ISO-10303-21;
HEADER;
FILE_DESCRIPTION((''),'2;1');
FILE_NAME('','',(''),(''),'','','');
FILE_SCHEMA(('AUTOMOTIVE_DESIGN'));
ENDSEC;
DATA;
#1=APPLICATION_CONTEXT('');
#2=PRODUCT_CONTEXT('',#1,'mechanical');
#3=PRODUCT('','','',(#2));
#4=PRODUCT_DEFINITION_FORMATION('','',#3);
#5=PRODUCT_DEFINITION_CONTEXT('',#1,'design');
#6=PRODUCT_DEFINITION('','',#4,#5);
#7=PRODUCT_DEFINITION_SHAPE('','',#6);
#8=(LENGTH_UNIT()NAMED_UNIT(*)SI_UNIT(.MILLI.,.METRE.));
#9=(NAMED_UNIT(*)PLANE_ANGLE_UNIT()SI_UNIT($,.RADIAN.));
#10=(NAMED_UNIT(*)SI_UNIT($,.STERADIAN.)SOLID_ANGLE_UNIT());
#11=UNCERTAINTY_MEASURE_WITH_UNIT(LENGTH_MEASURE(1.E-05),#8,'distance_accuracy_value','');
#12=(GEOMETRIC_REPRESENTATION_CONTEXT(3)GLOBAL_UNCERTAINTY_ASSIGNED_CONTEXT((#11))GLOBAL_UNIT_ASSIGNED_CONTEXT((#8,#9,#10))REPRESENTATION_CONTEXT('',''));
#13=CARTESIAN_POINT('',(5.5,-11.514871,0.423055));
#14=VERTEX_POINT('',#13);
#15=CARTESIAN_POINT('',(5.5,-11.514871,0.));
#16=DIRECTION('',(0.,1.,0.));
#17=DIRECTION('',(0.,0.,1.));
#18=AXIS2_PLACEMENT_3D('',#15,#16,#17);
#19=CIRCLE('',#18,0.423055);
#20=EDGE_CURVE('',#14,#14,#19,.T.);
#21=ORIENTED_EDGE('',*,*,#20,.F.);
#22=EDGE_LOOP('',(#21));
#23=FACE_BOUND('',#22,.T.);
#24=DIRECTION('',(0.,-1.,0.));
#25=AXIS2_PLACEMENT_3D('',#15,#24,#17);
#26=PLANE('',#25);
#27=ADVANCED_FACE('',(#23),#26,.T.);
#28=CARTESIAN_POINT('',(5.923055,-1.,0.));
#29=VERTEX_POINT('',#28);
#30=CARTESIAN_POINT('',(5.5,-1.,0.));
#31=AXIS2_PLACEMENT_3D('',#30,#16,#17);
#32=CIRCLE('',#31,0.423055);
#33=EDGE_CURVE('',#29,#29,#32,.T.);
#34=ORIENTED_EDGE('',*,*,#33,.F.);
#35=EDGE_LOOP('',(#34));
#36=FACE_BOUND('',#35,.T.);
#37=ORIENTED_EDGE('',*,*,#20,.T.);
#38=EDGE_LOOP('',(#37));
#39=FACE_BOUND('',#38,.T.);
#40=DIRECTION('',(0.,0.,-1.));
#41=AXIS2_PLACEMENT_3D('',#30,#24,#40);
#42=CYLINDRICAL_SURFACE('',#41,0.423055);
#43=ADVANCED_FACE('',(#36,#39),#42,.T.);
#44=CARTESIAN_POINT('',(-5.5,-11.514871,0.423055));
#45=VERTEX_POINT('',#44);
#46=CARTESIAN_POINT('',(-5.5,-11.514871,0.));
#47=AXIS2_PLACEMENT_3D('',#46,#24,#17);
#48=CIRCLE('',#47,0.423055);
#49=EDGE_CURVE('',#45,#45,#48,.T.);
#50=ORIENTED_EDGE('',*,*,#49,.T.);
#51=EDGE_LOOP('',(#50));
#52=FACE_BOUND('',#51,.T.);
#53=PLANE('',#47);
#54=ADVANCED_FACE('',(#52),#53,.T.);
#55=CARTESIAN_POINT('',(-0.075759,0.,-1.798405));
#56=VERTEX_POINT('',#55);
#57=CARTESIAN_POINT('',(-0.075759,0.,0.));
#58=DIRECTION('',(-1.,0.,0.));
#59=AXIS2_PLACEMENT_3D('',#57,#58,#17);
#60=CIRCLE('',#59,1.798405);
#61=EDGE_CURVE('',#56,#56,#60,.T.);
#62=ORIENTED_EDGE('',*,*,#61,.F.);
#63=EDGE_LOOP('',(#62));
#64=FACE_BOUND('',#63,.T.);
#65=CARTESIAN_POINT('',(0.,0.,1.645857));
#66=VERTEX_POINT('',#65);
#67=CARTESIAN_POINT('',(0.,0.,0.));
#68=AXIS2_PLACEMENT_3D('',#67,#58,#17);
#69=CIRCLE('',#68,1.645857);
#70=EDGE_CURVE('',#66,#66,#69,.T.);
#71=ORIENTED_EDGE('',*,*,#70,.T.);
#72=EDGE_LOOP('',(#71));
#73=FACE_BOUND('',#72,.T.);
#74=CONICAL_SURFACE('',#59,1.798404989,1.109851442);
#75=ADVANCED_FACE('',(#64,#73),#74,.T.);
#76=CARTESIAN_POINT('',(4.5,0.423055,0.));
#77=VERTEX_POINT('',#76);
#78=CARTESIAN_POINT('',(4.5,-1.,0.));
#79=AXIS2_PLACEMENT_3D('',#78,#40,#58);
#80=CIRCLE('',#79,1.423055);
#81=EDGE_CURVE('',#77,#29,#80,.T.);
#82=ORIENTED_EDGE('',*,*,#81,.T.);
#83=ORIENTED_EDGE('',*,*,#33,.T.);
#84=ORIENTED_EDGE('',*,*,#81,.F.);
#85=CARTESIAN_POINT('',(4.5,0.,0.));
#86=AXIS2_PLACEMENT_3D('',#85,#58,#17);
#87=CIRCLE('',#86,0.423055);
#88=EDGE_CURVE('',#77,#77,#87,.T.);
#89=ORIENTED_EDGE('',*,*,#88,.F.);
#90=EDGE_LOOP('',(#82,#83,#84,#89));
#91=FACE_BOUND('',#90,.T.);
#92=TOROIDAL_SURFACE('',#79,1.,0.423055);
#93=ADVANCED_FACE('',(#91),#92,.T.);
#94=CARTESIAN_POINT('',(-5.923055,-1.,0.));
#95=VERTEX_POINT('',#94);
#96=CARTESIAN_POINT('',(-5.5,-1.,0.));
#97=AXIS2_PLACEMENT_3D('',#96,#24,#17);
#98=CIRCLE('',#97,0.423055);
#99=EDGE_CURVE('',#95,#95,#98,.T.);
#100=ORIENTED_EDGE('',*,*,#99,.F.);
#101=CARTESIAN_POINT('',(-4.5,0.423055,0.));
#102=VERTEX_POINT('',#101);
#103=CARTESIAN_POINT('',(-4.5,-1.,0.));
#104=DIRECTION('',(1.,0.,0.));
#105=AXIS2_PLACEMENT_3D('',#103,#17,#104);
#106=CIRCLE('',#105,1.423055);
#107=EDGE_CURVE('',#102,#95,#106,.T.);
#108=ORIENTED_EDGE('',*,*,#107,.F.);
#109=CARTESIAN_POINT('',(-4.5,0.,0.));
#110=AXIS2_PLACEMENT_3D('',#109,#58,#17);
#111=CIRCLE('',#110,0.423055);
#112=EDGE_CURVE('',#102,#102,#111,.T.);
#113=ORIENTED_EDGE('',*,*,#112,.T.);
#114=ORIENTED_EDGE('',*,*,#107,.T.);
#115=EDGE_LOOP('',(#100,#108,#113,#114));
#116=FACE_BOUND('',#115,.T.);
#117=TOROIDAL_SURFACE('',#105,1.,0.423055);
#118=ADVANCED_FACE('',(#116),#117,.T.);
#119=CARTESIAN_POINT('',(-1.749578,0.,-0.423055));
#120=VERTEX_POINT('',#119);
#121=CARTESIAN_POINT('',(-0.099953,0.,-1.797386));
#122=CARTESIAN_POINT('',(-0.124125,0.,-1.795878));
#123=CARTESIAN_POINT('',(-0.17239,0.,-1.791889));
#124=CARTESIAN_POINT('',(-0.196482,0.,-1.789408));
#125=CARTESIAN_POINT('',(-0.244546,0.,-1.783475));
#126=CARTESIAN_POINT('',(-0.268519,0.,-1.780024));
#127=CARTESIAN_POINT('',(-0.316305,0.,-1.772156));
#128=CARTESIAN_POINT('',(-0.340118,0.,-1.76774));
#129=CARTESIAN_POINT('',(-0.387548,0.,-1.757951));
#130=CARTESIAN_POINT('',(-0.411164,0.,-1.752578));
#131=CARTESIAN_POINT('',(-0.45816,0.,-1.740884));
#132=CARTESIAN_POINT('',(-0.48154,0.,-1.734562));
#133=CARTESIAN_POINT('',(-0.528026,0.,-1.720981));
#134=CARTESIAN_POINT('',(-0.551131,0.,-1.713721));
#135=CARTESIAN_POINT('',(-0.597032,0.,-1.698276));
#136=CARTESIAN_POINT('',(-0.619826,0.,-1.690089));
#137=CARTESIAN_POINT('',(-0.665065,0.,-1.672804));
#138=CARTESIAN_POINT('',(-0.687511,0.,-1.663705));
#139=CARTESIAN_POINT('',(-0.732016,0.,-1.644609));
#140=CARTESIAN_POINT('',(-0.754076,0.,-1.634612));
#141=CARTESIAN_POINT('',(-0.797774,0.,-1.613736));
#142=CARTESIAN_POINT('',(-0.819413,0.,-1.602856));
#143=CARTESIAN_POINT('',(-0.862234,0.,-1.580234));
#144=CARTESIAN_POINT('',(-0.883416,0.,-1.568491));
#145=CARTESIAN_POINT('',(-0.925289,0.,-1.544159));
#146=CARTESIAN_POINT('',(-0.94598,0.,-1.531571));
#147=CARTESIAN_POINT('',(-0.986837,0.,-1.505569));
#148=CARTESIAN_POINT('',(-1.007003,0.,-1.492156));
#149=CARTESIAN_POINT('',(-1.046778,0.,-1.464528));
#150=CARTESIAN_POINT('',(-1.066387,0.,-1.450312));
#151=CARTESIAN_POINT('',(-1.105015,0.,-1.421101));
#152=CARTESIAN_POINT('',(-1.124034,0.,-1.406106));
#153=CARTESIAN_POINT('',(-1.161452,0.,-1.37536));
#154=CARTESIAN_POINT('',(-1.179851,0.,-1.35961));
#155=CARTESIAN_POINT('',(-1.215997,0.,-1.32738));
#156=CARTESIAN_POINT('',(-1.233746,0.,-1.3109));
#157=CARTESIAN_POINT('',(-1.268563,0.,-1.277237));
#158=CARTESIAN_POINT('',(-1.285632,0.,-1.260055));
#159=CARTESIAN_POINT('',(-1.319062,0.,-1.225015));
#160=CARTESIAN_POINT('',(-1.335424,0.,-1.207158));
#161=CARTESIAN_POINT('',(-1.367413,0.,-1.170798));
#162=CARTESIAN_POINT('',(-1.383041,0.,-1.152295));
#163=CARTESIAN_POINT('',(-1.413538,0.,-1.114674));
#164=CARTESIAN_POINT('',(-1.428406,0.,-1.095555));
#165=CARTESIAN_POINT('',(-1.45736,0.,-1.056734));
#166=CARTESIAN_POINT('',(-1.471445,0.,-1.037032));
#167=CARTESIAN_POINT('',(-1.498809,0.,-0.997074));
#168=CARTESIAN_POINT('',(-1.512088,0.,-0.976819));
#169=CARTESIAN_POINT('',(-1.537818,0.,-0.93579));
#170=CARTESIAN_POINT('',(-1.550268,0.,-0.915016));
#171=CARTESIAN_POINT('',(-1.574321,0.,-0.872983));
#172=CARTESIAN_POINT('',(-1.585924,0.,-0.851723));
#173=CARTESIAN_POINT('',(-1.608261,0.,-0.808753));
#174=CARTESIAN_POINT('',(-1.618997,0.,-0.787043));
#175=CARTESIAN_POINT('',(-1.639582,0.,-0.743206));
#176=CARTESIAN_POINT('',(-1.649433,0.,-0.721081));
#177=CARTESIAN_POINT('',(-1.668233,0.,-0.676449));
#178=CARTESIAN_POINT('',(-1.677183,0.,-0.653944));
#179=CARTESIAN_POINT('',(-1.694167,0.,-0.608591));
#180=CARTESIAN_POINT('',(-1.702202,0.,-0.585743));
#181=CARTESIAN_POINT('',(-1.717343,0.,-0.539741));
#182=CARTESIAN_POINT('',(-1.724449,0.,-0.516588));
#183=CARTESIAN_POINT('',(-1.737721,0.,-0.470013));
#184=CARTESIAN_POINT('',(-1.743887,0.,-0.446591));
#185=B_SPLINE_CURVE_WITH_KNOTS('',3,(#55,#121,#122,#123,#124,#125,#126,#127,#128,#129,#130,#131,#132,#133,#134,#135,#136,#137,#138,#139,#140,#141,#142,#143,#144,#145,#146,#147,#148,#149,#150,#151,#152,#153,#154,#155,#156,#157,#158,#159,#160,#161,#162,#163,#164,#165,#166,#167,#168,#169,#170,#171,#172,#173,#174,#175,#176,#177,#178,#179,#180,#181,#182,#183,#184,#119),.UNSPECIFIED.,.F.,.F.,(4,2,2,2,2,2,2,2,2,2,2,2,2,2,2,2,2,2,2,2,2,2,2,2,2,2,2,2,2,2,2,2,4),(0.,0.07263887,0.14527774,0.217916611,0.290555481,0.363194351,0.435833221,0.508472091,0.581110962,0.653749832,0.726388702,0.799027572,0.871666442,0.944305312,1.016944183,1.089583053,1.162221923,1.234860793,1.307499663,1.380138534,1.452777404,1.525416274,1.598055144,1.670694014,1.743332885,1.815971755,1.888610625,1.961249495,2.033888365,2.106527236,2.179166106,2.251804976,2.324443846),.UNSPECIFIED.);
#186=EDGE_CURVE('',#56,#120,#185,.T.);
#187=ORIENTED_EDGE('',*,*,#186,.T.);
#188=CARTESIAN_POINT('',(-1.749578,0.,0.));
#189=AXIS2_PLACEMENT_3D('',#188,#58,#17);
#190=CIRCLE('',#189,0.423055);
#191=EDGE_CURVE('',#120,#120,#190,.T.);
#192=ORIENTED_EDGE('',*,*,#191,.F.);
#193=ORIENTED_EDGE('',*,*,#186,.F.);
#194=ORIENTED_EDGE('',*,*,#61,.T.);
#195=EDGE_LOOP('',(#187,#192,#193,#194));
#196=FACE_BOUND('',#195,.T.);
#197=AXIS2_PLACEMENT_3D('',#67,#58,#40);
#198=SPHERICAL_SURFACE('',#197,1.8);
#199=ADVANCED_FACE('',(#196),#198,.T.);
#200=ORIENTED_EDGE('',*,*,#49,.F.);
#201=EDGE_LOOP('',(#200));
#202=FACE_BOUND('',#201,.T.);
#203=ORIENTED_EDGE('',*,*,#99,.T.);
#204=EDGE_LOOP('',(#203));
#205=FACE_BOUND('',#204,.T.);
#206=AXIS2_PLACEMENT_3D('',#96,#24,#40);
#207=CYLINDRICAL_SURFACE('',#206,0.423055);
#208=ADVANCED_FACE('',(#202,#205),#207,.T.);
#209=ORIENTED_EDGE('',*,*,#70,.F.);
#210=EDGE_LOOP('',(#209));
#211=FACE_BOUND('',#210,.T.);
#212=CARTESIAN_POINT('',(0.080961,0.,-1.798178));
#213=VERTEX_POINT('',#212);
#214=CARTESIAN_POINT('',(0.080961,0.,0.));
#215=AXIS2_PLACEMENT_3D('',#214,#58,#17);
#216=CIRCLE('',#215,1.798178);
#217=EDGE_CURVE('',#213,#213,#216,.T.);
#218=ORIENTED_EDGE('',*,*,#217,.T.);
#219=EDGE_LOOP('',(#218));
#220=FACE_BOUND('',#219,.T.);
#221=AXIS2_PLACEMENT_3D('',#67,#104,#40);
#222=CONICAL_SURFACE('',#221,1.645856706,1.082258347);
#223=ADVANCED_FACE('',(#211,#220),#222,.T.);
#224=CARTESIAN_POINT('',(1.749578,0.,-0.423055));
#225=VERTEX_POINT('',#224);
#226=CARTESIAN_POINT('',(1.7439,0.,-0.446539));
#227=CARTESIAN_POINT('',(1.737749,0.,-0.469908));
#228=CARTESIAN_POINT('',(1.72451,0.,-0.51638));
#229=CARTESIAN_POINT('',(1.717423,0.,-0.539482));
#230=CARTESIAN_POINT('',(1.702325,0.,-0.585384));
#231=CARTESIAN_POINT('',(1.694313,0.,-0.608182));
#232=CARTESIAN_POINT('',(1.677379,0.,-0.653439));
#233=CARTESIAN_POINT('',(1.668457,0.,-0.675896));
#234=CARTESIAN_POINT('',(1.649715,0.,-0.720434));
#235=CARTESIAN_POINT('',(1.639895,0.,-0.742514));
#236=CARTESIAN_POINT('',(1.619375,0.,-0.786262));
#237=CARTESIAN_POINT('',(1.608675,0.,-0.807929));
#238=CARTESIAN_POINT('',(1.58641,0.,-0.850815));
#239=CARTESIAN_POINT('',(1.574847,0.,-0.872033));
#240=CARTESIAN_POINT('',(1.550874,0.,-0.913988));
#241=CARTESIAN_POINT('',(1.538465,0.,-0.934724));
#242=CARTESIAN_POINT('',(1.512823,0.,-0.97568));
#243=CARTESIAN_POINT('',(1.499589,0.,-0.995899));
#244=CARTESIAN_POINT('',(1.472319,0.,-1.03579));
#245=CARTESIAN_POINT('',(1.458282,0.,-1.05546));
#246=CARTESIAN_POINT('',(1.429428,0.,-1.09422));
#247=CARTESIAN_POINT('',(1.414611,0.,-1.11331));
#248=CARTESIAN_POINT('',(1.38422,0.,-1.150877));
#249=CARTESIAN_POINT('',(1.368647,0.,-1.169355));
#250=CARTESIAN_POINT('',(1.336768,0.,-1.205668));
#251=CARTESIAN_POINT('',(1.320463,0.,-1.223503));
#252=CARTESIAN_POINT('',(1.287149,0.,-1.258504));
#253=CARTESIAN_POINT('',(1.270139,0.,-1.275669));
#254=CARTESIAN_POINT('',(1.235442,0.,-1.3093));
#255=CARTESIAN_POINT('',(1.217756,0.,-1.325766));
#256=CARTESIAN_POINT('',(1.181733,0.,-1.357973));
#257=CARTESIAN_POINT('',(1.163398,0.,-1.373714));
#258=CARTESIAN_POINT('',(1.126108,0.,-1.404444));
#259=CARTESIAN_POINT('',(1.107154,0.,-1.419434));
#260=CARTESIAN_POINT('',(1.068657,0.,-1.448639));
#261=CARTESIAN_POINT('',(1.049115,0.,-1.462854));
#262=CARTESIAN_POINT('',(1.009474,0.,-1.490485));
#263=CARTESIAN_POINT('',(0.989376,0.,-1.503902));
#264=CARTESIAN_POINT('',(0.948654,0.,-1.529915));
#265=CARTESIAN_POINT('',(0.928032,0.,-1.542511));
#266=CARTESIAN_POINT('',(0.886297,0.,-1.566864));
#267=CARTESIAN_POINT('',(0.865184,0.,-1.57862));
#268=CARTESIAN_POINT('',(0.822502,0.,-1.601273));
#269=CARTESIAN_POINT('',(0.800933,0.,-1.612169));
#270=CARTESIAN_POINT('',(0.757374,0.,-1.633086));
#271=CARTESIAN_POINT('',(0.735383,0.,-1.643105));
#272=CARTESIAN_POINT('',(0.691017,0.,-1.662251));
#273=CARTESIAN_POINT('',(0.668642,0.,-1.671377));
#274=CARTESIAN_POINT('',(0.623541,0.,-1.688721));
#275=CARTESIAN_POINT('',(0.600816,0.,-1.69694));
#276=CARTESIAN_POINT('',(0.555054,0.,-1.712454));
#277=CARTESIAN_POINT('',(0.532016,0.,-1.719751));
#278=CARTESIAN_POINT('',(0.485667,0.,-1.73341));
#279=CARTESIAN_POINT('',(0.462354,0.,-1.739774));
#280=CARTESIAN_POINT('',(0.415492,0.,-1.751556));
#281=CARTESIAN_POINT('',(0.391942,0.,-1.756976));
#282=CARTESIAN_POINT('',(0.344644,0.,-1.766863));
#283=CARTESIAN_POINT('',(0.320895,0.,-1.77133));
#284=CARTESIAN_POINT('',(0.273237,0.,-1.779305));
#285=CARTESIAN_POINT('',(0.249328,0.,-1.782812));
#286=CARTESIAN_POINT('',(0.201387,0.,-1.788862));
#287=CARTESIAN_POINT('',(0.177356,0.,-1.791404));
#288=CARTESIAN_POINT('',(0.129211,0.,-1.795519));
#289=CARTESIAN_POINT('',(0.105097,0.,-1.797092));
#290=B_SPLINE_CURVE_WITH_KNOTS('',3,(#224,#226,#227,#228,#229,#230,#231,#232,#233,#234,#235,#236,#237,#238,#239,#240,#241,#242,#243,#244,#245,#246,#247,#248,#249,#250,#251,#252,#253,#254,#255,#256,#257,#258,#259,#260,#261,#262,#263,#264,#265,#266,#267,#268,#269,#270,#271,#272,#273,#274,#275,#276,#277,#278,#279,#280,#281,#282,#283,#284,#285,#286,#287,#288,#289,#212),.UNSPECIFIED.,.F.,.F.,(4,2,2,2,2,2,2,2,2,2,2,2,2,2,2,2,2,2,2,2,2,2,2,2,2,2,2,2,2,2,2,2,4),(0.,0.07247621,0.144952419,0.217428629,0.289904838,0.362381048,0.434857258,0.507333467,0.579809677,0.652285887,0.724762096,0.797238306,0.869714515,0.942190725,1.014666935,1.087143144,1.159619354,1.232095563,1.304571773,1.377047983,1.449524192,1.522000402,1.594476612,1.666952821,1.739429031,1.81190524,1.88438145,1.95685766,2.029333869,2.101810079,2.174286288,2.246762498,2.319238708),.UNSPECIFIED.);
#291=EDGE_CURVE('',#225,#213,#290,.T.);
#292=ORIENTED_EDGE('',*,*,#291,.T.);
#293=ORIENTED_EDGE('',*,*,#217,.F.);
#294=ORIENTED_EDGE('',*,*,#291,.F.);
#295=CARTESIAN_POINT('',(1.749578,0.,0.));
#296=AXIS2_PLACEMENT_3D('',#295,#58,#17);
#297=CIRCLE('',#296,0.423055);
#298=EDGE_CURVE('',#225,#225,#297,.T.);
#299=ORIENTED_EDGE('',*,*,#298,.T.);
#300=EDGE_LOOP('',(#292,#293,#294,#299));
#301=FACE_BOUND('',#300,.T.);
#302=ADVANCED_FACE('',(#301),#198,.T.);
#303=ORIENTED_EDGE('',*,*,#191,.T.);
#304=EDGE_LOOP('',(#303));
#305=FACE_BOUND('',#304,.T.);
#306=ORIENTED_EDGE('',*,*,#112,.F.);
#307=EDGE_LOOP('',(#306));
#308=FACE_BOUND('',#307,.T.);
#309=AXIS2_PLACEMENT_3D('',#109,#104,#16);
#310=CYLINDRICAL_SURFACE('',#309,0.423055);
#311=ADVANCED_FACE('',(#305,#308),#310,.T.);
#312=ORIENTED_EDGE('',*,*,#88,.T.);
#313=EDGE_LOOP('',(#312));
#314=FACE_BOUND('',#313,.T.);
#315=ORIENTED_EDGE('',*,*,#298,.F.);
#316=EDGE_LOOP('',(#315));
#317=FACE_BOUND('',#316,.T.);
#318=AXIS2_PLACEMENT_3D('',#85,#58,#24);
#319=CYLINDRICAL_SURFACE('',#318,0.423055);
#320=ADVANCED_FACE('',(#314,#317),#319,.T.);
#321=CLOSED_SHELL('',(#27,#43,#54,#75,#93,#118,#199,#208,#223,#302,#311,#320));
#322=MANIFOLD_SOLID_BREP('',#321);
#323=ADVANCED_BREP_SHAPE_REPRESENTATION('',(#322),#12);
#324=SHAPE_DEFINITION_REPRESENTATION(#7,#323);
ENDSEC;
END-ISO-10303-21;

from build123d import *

# Parameters (mm, degrees)
SKETCH_3_R = 0.423054932


with BuildPart() as part:
    # Эскиз1 → Повернуть2 (revolve)
    with BuildSketch(Plane(origin=(0, 0, 0), x_dir=(1, 0, 0), z_dir=(0, 1, 0))):
        with BuildLine():
            Line((-1.749578385, 0.423054932), (-1.749578385, 0))
            Line((-1.749578385, 0), (1.749578385, 0))
            Line((1.749578385, 0), (1.749578385, 0.423054932))
            ThreePointArc((1.749578385, 0.423054932), (1.144753012, 1.389079027), (0.080960724, 1.798178345))
            Line((0.080960724, 1.798178345), (0, 1.645856706))
            Line((0, 1.645856706), (-0.075759465, 1.798404989))
            ThreePointArc((-0.075759465, 1.798404989), (-1.142742977, 1.390733076), (-1.749578385, 0.423054932))
        make_face()
    revolve(axis=Axis((-29.751182373, 0, 0), (1, 0, 0)))

    # По траектории1: sweep along a path in Эскиз2
    with BuildLine(Plane.XY) as sweep_1_path:
        Line((0, 0), (-4.5, 0))
        ThreePointArc((-4.5, 0), (-5.207106781, -0.292893219), (-5.5, -1))
        Line((-5.5, -1), (-5.5, -11.514871198))
    # Эскиз3 → По траектории1 (sweep)
    with BuildSketch(Plane.ZY.offset(1.749578385)):
        Circle(SKETCH_3_R)
    sweep_1 = sweep(path=sweep_1_path.line)

    # Зеркальное отражение1: По траектории1 across plane
    add(sweep_1.mirror(Plane(origin=(0, 0, 0), x_dir=(0, 0, 1), z_dir=(1, 0, 0))))


solid = part.part
